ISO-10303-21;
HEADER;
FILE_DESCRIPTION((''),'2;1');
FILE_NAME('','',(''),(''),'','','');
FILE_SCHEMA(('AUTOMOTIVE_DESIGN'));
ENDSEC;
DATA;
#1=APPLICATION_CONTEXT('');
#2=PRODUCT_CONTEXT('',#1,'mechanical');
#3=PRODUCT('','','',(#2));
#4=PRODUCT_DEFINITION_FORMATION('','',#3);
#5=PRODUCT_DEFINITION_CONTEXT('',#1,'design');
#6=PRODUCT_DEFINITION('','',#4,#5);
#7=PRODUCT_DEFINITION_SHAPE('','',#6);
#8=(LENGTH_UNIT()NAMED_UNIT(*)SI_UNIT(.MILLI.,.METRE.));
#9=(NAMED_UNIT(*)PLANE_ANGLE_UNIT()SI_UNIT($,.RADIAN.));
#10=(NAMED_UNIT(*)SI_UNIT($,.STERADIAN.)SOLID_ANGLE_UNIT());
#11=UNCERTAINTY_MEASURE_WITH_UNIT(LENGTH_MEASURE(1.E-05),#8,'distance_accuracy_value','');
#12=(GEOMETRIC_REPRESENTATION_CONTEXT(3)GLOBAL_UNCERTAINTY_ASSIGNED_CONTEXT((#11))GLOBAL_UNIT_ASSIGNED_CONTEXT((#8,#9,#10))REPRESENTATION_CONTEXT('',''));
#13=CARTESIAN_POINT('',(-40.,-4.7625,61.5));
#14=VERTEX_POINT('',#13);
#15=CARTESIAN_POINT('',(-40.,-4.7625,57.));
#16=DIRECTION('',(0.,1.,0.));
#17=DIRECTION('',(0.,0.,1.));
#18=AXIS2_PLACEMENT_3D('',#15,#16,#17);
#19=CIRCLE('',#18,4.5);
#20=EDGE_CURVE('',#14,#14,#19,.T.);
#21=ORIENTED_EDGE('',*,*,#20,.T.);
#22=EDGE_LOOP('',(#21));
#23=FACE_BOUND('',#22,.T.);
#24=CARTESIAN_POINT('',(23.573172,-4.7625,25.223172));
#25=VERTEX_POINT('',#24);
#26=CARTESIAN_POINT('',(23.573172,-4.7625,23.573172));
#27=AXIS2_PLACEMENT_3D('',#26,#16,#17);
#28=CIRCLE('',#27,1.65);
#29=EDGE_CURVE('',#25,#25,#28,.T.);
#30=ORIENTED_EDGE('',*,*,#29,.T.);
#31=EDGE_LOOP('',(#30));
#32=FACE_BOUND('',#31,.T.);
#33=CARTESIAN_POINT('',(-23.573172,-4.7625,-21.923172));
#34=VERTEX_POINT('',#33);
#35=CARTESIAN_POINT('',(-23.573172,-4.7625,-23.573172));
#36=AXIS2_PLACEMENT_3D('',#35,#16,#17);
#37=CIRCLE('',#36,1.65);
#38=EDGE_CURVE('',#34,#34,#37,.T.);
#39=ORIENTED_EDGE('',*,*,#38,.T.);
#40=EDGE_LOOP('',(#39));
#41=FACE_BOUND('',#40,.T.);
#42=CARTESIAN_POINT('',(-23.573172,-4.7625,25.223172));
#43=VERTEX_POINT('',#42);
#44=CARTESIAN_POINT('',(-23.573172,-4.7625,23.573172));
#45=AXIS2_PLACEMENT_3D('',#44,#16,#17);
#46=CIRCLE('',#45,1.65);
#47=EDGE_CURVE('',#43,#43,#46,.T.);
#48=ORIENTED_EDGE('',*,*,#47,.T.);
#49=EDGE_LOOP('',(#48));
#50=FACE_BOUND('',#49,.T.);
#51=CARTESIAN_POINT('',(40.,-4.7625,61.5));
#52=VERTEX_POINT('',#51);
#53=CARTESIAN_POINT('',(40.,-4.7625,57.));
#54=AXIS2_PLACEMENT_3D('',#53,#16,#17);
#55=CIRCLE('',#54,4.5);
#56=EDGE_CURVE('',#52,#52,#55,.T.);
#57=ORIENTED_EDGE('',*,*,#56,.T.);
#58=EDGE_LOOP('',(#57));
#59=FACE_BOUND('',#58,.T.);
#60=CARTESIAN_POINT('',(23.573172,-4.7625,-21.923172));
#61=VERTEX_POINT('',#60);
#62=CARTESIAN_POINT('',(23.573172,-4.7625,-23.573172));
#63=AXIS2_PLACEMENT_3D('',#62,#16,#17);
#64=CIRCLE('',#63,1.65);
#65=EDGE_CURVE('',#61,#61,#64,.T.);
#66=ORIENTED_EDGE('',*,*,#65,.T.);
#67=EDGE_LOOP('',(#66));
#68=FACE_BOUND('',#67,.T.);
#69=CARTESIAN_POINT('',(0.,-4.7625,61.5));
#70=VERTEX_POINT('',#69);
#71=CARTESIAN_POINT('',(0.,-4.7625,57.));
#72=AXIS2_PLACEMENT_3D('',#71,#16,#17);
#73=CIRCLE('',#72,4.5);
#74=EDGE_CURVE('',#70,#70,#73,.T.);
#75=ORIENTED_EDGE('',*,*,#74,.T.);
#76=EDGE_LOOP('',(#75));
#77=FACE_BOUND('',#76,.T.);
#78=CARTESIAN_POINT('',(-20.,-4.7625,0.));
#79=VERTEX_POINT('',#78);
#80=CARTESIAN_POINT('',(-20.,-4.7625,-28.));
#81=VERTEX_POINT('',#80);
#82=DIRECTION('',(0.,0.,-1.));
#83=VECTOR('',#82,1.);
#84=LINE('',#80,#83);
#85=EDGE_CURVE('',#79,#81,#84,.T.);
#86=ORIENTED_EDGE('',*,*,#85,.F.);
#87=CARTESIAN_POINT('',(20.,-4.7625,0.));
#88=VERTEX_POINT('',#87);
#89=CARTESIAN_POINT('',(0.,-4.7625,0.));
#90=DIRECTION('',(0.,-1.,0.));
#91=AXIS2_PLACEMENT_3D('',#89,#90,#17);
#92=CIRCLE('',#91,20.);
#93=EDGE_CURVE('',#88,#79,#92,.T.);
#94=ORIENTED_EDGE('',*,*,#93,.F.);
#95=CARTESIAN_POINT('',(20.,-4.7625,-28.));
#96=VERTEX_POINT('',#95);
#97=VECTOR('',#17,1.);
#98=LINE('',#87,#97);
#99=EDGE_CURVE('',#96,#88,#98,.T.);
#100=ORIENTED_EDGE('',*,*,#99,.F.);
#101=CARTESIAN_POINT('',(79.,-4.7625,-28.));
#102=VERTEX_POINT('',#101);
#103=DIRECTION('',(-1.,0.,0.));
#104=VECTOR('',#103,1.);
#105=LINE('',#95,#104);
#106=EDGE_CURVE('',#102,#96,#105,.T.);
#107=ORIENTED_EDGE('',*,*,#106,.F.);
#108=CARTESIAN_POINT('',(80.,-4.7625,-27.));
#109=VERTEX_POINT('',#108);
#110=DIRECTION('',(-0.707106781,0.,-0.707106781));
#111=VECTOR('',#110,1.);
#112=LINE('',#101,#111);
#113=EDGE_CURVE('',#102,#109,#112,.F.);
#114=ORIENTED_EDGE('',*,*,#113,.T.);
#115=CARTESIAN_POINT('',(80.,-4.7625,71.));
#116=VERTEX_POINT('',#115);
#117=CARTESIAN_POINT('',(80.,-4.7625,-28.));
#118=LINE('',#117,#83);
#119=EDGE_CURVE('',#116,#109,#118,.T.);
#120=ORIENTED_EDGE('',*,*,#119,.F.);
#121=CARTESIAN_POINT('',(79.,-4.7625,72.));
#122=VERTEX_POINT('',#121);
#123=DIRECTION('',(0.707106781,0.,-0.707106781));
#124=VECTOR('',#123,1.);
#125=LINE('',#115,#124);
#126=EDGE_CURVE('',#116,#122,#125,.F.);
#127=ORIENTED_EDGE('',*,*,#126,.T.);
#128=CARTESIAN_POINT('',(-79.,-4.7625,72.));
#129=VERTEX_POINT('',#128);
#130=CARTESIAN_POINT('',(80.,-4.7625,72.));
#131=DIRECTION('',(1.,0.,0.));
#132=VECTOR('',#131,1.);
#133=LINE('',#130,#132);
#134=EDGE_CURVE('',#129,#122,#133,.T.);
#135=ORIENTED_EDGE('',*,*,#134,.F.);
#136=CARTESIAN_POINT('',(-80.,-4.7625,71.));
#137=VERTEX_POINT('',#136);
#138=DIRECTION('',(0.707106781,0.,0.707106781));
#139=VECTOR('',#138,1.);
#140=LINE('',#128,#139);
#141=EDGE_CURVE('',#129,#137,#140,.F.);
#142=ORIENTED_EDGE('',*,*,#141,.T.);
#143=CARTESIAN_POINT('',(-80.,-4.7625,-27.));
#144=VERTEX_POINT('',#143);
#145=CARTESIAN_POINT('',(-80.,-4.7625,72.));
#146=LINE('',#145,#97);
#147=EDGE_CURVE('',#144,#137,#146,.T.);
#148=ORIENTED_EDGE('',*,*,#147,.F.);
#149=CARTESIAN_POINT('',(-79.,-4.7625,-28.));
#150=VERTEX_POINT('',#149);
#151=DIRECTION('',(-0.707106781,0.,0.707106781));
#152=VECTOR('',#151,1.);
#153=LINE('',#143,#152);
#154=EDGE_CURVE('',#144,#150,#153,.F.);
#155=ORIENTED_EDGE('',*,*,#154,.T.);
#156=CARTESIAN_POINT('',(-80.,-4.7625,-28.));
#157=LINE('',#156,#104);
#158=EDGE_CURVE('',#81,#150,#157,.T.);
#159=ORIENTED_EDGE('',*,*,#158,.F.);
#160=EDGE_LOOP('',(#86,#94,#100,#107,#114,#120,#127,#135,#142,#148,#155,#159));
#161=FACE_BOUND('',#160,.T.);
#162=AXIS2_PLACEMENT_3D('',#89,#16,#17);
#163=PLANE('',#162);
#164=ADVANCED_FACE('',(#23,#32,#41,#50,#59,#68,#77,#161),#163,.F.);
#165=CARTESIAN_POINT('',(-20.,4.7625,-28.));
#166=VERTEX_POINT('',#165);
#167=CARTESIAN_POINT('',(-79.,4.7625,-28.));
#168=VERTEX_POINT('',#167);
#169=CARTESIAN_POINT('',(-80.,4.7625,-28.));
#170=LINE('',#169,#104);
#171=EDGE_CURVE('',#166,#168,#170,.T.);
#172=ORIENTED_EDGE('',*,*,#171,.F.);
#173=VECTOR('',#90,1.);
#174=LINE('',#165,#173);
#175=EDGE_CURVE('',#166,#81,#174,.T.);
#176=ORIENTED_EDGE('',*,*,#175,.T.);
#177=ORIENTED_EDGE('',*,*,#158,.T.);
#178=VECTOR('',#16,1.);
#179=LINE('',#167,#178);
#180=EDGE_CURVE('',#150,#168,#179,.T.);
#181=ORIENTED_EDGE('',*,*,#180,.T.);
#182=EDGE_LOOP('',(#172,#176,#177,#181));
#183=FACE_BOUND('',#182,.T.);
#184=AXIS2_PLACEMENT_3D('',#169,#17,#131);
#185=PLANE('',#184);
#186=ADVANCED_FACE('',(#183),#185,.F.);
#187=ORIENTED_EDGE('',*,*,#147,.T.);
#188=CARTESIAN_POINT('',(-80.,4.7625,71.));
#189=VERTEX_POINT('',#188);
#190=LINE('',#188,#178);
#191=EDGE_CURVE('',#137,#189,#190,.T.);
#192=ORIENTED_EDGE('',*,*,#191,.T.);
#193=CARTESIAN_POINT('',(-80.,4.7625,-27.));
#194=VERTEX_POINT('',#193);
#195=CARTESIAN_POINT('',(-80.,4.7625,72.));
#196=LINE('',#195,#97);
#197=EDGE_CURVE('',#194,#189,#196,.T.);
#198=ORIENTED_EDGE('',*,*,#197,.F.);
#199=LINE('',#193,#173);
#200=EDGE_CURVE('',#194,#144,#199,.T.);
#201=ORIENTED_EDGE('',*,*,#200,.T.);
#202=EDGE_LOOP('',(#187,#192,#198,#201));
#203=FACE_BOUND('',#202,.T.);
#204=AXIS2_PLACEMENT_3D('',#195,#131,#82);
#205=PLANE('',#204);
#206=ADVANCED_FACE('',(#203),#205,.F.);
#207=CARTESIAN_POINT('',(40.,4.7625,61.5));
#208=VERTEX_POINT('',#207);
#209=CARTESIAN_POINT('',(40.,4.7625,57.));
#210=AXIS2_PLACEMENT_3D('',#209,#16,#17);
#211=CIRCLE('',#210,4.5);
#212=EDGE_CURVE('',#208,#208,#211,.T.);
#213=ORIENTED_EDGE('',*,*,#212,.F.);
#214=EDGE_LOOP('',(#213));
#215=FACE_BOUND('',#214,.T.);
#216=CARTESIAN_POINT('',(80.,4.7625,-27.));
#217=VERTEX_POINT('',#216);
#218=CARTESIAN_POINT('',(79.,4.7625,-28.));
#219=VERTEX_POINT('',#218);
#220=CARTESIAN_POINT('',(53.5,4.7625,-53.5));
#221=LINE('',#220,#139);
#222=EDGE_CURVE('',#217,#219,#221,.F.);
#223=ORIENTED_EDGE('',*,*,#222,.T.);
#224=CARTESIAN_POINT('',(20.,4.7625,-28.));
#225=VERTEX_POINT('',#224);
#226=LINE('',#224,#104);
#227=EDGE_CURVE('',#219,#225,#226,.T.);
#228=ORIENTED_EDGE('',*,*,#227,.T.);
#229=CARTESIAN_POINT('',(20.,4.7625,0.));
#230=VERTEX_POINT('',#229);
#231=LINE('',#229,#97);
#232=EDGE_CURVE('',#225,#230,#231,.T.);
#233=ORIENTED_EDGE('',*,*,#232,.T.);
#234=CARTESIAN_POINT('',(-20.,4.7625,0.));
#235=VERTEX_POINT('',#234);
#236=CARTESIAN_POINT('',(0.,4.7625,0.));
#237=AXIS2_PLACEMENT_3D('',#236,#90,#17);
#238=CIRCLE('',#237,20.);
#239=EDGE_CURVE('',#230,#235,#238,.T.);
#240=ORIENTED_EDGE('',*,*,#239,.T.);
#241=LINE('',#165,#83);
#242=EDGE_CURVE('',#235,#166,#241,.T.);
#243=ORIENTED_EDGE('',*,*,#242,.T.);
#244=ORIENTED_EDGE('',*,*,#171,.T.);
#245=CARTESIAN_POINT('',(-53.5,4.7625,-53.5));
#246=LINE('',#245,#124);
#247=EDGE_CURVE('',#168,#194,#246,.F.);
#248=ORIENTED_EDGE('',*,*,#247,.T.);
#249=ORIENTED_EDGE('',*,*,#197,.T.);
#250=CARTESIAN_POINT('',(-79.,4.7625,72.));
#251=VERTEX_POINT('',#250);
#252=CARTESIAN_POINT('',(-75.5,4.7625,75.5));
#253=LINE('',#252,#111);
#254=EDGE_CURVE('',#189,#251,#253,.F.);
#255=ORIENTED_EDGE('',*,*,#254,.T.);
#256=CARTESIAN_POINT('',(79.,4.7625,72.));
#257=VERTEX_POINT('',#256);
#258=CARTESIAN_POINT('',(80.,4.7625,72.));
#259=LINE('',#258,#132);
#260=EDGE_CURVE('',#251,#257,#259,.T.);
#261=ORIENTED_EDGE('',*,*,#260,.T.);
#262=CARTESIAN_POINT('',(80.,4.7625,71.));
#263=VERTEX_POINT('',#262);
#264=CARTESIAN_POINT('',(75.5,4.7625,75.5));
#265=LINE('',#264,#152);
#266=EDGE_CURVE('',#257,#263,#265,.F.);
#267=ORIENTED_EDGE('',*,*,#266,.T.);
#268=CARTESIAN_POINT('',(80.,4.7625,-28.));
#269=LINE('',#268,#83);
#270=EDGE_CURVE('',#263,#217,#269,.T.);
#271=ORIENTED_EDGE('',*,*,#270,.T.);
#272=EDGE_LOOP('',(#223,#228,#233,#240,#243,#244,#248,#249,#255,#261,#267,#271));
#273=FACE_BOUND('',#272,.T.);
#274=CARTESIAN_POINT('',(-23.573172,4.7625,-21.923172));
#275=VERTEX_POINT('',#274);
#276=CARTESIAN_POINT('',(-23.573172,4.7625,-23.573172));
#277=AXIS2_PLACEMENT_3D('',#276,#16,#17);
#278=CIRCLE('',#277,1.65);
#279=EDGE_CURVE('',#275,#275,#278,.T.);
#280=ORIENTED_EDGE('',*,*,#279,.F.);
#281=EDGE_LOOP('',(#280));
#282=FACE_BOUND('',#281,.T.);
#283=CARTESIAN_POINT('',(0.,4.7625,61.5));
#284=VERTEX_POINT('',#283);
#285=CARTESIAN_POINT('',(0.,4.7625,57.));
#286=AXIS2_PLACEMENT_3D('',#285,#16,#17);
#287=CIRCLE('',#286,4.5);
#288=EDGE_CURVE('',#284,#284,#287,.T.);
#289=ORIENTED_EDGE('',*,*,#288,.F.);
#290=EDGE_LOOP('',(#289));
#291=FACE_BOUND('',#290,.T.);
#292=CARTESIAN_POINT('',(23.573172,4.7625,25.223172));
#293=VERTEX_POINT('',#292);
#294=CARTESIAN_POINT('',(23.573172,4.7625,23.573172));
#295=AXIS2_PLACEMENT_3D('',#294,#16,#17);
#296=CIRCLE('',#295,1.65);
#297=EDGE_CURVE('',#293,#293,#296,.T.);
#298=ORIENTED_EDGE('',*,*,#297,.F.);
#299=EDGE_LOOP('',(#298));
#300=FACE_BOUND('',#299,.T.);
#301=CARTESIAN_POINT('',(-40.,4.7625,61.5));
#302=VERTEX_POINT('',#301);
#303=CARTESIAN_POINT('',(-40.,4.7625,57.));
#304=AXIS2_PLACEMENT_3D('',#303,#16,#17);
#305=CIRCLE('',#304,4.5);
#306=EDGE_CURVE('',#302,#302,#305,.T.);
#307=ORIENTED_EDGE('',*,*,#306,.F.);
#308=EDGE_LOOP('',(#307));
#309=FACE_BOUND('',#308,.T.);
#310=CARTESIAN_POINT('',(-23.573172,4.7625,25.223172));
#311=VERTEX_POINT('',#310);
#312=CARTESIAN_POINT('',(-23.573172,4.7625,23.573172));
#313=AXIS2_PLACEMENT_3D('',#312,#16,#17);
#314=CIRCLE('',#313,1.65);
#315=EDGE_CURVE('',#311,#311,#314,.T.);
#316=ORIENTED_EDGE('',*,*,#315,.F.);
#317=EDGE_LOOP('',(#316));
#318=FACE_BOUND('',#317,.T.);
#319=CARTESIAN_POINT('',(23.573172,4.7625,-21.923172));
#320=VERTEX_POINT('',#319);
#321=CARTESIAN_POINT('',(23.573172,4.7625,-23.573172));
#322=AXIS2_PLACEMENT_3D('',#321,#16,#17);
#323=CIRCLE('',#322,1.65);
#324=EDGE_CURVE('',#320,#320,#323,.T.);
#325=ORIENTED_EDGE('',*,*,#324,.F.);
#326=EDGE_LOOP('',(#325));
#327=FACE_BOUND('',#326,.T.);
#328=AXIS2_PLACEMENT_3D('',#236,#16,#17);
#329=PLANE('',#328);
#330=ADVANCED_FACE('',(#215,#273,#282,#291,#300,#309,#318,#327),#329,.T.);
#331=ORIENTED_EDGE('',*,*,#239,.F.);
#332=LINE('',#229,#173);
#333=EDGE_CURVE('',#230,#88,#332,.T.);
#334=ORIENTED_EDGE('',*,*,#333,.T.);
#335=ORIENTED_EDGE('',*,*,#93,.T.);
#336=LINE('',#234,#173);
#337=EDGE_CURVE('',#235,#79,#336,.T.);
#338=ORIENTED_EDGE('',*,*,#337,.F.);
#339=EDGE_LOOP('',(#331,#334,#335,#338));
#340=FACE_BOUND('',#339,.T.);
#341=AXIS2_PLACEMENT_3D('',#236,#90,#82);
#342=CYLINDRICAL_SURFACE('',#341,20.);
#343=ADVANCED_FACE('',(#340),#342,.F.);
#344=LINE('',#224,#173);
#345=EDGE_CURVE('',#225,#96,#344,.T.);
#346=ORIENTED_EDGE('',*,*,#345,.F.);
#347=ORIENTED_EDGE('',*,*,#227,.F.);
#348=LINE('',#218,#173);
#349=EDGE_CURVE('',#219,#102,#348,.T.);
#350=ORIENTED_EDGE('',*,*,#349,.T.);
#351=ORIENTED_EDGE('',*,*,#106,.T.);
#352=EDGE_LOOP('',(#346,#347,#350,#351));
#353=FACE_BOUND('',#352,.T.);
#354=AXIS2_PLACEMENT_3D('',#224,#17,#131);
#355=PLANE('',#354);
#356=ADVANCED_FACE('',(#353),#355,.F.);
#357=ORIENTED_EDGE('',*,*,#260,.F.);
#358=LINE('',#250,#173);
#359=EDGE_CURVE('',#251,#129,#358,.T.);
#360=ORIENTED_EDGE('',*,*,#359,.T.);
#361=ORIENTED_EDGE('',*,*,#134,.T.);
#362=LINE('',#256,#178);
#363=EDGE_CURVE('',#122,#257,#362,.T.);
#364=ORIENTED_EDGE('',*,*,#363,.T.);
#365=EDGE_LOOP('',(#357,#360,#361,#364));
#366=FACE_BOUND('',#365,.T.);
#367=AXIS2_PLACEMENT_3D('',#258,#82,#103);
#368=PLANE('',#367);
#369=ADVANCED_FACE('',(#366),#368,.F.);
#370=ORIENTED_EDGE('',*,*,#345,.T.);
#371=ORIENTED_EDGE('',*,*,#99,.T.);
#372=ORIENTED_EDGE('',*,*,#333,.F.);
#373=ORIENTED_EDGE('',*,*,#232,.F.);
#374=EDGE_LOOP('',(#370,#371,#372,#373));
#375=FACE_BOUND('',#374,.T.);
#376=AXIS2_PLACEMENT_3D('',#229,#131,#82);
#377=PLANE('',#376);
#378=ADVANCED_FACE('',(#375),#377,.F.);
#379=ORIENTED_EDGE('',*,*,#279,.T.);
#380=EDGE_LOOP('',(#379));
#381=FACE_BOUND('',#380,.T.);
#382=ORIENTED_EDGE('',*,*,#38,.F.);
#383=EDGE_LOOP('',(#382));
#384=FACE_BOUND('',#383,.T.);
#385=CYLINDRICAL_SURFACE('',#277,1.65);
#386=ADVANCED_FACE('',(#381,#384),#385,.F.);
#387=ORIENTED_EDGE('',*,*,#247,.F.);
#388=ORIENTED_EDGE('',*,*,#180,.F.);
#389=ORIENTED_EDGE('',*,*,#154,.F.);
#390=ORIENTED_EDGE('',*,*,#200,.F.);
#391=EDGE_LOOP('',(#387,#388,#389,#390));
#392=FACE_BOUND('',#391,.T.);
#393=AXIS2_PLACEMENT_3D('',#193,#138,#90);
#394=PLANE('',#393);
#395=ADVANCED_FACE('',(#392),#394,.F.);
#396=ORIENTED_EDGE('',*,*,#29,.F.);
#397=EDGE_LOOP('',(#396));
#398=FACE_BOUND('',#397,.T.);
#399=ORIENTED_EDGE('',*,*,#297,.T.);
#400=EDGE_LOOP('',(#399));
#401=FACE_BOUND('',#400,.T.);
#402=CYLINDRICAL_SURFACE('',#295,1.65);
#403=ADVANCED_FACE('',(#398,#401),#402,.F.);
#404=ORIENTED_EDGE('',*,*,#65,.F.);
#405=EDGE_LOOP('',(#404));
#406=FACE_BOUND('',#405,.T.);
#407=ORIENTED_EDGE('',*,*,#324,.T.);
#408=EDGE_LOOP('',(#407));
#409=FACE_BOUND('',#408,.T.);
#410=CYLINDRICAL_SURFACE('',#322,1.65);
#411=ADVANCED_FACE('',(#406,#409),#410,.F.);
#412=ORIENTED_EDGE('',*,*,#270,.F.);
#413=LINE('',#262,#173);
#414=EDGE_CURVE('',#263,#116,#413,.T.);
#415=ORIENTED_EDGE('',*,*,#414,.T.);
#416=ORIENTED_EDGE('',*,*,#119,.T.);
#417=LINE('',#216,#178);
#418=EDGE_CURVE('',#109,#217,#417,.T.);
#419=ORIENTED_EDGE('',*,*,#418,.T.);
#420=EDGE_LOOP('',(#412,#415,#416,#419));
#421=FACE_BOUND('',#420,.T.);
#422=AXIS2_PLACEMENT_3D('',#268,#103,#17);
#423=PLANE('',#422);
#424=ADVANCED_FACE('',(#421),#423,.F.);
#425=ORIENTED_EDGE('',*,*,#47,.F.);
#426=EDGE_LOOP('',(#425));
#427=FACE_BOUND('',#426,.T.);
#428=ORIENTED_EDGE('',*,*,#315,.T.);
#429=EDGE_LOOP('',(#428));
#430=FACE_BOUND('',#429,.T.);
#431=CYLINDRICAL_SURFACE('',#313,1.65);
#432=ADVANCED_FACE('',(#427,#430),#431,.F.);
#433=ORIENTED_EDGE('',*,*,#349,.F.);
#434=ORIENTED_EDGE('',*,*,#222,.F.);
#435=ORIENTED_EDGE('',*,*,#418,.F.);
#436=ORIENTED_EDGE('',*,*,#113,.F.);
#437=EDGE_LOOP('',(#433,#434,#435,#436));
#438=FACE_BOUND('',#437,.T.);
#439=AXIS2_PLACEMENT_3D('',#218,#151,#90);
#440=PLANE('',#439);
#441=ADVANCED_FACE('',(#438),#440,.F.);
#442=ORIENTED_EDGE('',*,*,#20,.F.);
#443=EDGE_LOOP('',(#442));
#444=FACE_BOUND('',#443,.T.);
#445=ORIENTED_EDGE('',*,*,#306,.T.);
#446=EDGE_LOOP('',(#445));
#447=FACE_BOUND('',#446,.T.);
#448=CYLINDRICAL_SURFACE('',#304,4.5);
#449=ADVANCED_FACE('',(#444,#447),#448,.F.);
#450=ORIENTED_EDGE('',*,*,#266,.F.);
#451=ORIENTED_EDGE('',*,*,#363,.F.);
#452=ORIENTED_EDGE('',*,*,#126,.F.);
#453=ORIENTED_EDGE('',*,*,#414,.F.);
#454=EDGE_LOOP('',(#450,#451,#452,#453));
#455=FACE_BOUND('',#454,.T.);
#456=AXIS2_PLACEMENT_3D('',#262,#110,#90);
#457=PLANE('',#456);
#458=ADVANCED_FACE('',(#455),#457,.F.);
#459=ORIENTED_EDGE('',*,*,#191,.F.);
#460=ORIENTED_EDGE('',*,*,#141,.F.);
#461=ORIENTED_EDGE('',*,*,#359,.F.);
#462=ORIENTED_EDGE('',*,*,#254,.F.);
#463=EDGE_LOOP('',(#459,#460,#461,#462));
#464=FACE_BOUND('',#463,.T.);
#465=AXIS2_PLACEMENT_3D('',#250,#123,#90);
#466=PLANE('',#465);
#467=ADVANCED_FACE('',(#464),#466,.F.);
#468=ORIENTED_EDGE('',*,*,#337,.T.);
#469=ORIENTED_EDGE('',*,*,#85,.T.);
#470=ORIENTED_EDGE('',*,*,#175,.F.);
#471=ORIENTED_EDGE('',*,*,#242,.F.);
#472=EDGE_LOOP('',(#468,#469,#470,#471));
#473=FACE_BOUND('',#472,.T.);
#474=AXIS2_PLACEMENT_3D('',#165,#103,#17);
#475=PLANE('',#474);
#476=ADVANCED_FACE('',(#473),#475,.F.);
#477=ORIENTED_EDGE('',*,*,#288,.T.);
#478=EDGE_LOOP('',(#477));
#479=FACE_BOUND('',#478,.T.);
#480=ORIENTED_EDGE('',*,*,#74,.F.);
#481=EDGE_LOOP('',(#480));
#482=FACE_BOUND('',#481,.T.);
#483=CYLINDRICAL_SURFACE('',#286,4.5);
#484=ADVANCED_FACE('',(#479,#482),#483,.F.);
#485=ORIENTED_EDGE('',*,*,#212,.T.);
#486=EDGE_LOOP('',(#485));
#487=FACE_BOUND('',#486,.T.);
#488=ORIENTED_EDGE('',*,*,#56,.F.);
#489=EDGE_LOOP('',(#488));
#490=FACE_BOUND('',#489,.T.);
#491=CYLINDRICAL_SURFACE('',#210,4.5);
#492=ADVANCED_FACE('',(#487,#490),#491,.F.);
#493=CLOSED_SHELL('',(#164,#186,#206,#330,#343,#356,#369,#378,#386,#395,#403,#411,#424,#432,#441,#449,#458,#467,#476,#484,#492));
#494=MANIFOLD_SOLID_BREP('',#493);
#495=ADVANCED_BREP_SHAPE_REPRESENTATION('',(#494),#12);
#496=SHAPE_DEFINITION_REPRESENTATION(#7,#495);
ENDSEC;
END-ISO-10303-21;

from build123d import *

# Parameters (mm, degrees)
BOSS_EXTRUDE1_DEPTH   = 4.7625
M8_CLEARANCE_HOLE1_D  = 9
M4X0_7_TAPPED_HOLE2_D = 3.3
CHAMFER1_SIZE         = 1


with BuildPart() as part:
    # Sketch1 → Boss-Extrude1 (new, symmetric)
    with BuildSketch(Plane(origin=(0, 0, 0), x_dir=(1, 0, 0), z_dir=(0, 1, 0))):
        with BuildLine():
            Line((20, 0), (20, 28))
            Line((20, 28), (80, 28))
            Line((80, 28), (80, -72))
            Line((80, -72), (-80, -72))
            Line((-80, -72), (-80, 28))
            Line((-80, 28), (-20, 28))
            Line((-20, 28), (-20, 0))
            ThreePointArc((-20, 0), (0, -20), (20, 0))
        make_face()
    extrude(amount=BOSS_EXTRUDE1_DEPTH, both=True)

    # M8 Clearance Hole1 (through all)
    with Locations(Plane(origin=(0, 4.7625, 0), x_dir=(1, 0, 0), z_dir=(0, 1, 0))):
        with Locations((-40, -57), (0, -57), (40, -57)):
            Hole(M8_CLEARANCE_HOLE1_D / 2)

    # M4x0.7 Tapped Hole2 (through all)
    with Locations(Plane(origin=(0, 4.7625, 0), x_dir=(1, 0, 0), z_dir=(0, 1, 0))):
        with Locations((-23.573172318, -23.573172318), (-23.573172318, 23.573172318), (23.573172318, 23.573172318), (23.573172318, -23.573172318)):
            Hole(M4X0_7_TAPPED_HOLE2_D / 2)

    # Chamfer1
    chamfer1_edges = [part.edges().sort_by_distance(p)[0] for p in [
        (80, 0, -28),
        (80, 0, 72),
        (-80, 0, 72),
        (-80, 0, -28),
    ]]
    chamfer(chamfer1_edges, length=CHAMFER1_SIZE)


solid = part.part
